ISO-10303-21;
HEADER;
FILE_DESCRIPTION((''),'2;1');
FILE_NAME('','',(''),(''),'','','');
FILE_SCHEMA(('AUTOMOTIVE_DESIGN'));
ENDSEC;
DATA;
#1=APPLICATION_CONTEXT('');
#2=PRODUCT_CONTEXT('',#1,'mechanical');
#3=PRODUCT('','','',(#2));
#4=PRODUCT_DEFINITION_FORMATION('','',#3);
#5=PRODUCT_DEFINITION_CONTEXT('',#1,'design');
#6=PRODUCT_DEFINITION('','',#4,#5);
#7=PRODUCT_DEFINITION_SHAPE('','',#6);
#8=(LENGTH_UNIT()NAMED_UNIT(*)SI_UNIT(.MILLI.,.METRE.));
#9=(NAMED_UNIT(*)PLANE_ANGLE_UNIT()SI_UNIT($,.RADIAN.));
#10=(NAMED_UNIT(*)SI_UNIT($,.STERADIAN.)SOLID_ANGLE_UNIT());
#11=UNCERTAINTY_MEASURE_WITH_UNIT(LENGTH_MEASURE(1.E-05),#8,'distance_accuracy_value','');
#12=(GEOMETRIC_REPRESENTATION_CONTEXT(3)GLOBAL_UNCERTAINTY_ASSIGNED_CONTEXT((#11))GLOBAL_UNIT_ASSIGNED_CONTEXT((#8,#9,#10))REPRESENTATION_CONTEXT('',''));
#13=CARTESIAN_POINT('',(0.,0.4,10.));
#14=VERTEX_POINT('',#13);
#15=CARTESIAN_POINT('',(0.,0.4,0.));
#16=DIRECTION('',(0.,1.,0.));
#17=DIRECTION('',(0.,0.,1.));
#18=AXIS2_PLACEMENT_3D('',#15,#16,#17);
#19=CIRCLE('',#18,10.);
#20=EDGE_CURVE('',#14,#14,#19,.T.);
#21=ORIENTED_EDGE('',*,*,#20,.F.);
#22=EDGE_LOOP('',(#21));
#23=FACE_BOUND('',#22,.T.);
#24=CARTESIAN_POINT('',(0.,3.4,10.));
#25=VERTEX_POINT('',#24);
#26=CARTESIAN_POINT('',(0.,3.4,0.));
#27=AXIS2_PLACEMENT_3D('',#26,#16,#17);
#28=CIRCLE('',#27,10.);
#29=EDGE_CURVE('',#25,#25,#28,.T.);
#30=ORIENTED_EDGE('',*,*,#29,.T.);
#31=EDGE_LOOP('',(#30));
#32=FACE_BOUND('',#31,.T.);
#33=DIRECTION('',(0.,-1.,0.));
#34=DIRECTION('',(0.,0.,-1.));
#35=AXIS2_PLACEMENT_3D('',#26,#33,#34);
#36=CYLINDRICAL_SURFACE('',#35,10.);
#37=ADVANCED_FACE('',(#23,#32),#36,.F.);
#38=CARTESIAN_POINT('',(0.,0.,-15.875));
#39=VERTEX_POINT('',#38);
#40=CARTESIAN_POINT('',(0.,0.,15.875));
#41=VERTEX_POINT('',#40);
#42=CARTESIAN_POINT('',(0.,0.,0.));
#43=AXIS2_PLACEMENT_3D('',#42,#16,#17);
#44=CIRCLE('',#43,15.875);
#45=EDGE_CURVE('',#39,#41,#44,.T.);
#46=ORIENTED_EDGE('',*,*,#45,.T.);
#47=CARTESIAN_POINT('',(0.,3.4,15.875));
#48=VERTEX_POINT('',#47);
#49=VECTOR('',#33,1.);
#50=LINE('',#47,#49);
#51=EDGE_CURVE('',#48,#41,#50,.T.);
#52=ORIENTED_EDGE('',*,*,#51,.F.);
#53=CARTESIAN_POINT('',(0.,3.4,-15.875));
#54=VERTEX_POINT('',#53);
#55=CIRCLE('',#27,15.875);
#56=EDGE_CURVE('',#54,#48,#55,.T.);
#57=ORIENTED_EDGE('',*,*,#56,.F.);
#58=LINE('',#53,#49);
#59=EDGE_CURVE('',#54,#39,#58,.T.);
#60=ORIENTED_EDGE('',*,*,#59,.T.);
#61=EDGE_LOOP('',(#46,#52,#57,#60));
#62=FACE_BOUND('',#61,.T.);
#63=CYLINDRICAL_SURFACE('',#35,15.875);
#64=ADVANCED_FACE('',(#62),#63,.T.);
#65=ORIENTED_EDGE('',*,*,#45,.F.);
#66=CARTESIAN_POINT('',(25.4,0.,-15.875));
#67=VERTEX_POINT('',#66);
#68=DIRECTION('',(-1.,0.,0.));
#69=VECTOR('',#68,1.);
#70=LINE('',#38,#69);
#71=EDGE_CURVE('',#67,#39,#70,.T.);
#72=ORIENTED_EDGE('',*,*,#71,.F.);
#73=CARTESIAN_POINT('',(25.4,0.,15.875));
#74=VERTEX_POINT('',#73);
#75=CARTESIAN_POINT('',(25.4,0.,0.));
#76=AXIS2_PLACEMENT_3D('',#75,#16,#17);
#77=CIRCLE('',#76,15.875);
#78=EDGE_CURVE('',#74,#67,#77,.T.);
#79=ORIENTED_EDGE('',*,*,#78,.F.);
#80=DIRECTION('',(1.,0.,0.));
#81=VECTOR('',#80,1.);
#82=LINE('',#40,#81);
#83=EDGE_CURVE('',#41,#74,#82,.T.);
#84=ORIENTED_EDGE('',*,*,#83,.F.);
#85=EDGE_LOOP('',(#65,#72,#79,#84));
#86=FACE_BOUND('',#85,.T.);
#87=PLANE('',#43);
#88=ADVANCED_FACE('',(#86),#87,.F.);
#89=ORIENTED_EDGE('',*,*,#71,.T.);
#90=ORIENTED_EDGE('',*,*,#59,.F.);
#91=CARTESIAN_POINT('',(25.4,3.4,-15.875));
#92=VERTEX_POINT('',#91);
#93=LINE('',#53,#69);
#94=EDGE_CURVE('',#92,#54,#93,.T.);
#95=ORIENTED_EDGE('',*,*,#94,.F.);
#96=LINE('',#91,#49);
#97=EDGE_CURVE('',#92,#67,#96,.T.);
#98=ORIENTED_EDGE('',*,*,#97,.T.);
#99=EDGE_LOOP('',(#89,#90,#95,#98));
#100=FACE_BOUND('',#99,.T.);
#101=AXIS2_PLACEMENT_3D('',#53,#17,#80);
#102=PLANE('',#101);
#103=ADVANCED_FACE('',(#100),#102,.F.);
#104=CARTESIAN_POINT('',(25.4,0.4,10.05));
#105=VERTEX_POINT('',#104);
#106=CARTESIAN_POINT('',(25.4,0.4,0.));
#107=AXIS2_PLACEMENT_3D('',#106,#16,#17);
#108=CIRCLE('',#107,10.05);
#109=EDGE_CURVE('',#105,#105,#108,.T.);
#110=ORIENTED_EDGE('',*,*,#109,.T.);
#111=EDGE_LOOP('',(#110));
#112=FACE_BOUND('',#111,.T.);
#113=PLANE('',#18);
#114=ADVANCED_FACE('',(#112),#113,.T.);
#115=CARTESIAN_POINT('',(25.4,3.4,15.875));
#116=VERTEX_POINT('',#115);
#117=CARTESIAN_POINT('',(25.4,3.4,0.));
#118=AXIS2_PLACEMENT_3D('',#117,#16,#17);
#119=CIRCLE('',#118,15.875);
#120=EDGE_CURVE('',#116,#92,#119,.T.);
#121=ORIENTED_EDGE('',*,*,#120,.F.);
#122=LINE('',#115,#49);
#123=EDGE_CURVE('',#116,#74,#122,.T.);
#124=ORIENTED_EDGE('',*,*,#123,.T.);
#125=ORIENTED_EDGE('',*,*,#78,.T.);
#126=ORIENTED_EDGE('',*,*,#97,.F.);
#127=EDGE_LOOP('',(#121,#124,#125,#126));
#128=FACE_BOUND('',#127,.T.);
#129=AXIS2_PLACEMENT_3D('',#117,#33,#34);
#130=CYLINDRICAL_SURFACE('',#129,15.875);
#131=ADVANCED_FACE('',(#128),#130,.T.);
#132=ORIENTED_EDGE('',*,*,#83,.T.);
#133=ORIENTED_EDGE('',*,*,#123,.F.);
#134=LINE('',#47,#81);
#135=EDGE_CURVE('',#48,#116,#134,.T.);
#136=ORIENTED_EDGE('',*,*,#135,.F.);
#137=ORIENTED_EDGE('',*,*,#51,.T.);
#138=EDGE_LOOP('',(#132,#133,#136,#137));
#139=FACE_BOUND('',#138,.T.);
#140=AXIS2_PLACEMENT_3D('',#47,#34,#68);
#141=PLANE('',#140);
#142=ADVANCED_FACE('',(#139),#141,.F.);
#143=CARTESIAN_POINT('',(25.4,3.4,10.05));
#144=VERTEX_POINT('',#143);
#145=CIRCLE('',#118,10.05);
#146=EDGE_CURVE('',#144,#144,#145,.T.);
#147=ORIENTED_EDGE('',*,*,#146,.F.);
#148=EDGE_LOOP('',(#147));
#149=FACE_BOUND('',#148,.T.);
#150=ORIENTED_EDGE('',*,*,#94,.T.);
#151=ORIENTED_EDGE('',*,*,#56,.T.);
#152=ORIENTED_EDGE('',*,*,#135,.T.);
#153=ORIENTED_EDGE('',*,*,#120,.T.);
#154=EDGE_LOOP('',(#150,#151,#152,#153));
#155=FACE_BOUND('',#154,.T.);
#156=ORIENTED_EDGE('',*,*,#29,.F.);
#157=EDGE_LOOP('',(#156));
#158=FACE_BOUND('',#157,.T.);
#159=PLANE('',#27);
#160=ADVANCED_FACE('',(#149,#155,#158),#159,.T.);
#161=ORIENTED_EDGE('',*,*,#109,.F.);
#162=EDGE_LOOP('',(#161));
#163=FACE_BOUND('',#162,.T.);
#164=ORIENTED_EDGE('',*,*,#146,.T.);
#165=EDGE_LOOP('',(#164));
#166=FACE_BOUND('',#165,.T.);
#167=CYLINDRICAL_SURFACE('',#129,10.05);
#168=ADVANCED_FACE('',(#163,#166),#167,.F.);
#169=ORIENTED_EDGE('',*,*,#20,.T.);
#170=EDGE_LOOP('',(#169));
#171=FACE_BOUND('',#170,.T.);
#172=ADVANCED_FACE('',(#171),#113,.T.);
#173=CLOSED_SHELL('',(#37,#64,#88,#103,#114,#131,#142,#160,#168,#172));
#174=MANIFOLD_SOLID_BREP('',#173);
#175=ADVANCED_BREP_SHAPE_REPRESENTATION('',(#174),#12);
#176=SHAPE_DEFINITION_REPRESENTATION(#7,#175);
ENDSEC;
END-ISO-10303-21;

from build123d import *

# Parameters (mm, degrees)
SKETCH1_R           = 10
SKETCH1_R_2         = 10.05
BOSS_EXTRUDE1_DEPTH = 3.4
SKETCH1_2_R         = 10
SKETCH1_2_R_2       = 10.05
BOSS_EXTRUDE2_DEPTH = 0.4


with BuildPart() as part:
    # Sketch1 → Boss-Extrude1 (new body)
    with BuildSketch(Plane(origin=(0, 0, 0), x_dir=(1, 0, 0), z_dir=(0, 1, 0))):
        with BuildLine():
            Line((0, 15.875), (25.4, 15.875))
            ThreePointArc((25.4, 15.875), (41.275, 0), (25.4, -15.875))
            Line((25.4, -15.875), (0, -15.875))
            ThreePointArc((0, -15.875), (-15.875, 0), (0, 15.875))
        make_face()
        Circle(SKETCH1_R, mode=Mode.SUBTRACT)
        with Locations((25.4, 0)):
            Circle(SKETCH1_R_2, mode=Mode.SUBTRACT)
    extrude(amount=BOSS_EXTRUDE1_DEPTH)

    # Sketch1<2> → Boss-Extrude2 (add)
    with BuildSketch(Plane(origin=(0, 0, 0), x_dir=(1, 0, 0), z_dir=(0, 1, 0))):
        Circle(SKETCH1_2_R)
        with Locations((25.4, 0)):
            Circle(SKETCH1_2_R_2)
    extrude(amount=BOSS_EXTRUDE2_DEPTH)


solid = part.part
